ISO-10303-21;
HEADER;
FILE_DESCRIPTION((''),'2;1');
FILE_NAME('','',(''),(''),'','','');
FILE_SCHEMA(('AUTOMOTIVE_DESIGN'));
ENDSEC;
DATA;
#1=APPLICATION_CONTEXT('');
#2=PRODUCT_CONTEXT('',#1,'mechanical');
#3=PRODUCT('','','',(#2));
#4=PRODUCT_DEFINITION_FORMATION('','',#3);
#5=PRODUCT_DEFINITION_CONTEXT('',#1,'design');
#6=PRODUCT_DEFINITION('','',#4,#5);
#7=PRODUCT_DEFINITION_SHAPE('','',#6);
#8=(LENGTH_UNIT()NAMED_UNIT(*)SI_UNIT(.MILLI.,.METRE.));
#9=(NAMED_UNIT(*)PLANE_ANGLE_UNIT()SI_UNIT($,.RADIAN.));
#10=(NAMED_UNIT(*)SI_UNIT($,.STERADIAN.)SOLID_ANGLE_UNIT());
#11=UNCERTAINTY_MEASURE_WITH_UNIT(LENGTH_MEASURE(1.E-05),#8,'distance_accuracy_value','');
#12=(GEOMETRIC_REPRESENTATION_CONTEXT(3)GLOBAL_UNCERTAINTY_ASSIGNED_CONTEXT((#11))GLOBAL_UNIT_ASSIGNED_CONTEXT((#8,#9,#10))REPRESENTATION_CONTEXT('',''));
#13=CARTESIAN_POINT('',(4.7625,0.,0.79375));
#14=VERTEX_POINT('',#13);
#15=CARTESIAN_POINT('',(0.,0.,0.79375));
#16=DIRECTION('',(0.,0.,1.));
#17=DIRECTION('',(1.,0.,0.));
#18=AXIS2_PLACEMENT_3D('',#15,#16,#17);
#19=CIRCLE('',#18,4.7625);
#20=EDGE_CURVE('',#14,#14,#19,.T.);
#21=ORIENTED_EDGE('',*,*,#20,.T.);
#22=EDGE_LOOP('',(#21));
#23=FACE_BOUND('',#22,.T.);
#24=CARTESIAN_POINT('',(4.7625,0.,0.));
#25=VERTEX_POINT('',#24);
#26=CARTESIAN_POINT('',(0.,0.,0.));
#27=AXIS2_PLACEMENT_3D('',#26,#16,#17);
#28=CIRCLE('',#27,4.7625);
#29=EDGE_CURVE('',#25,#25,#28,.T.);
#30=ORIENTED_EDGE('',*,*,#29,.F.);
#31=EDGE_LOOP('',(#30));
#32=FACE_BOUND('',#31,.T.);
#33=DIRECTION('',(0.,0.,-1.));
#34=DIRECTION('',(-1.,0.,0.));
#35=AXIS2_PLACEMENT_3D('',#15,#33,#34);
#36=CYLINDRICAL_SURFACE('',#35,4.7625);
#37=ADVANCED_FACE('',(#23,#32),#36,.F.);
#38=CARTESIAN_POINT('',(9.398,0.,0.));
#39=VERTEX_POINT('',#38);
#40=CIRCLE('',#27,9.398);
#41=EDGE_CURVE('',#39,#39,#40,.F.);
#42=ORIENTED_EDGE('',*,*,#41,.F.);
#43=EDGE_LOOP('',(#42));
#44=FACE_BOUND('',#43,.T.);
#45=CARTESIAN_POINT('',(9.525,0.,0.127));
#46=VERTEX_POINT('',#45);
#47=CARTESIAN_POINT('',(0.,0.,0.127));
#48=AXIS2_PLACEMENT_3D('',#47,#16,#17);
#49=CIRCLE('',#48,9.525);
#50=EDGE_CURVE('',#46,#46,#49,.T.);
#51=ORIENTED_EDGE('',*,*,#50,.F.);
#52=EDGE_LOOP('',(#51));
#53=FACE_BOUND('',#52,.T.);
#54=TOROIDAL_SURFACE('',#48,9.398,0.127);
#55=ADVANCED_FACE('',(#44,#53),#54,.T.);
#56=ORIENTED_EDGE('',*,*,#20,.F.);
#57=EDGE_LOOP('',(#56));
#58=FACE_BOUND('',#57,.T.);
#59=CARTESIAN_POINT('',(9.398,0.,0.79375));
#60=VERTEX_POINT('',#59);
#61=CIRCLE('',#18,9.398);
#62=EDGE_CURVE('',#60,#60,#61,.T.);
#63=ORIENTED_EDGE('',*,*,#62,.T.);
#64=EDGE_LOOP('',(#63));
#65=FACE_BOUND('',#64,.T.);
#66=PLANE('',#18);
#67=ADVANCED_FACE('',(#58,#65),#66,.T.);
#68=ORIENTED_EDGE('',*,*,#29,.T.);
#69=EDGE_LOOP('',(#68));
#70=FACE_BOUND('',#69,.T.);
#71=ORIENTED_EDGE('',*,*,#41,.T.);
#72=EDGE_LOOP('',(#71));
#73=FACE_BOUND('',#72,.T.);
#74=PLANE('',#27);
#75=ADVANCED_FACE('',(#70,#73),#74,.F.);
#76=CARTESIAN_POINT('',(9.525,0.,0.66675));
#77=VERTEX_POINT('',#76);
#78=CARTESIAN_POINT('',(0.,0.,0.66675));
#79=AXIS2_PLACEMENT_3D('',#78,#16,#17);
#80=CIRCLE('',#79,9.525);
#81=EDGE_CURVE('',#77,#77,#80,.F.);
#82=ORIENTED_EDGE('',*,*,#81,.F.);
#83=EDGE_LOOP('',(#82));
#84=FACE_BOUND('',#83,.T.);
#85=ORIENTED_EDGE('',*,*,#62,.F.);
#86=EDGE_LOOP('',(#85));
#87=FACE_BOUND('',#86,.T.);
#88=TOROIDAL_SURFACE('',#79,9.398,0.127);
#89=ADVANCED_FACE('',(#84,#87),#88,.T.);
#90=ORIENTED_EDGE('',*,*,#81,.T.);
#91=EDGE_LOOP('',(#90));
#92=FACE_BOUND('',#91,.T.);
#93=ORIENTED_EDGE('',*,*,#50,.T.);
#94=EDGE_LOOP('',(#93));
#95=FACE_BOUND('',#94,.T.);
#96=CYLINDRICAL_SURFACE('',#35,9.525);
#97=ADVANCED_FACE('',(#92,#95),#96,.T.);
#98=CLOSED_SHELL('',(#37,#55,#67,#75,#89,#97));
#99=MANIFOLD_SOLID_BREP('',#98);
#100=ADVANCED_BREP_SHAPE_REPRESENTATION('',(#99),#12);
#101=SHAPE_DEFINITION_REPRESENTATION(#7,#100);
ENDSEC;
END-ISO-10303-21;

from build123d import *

# Parameters (mm, degrees)
SKETCH1_R           = 9.525
SKETCH1_R_2         = 4.7625
BOSS_EXTRUDE1_DEPTH = 0.79375
FILLET1_R           = 0.127


with BuildPart() as part:
    # Sketch1 → Boss-Extrude1 (new body)
    with BuildSketch(Plane.XY):
        Circle(SKETCH1_R)
        Circle(SKETCH1_R_2, mode=Mode.SUBTRACT)
    extrude(amount=BOSS_EXTRUDE1_DEPTH)

    # Fillet1
    fillet1_edges = [part.edges().sort_by_distance(p)[0] for p in [
        (-9.525, 0, 0),
        (-9.525, 0, 0.79375),
    ]]
    fillet(fillet1_edges, radius=FILLET1_R)


solid = part.part
